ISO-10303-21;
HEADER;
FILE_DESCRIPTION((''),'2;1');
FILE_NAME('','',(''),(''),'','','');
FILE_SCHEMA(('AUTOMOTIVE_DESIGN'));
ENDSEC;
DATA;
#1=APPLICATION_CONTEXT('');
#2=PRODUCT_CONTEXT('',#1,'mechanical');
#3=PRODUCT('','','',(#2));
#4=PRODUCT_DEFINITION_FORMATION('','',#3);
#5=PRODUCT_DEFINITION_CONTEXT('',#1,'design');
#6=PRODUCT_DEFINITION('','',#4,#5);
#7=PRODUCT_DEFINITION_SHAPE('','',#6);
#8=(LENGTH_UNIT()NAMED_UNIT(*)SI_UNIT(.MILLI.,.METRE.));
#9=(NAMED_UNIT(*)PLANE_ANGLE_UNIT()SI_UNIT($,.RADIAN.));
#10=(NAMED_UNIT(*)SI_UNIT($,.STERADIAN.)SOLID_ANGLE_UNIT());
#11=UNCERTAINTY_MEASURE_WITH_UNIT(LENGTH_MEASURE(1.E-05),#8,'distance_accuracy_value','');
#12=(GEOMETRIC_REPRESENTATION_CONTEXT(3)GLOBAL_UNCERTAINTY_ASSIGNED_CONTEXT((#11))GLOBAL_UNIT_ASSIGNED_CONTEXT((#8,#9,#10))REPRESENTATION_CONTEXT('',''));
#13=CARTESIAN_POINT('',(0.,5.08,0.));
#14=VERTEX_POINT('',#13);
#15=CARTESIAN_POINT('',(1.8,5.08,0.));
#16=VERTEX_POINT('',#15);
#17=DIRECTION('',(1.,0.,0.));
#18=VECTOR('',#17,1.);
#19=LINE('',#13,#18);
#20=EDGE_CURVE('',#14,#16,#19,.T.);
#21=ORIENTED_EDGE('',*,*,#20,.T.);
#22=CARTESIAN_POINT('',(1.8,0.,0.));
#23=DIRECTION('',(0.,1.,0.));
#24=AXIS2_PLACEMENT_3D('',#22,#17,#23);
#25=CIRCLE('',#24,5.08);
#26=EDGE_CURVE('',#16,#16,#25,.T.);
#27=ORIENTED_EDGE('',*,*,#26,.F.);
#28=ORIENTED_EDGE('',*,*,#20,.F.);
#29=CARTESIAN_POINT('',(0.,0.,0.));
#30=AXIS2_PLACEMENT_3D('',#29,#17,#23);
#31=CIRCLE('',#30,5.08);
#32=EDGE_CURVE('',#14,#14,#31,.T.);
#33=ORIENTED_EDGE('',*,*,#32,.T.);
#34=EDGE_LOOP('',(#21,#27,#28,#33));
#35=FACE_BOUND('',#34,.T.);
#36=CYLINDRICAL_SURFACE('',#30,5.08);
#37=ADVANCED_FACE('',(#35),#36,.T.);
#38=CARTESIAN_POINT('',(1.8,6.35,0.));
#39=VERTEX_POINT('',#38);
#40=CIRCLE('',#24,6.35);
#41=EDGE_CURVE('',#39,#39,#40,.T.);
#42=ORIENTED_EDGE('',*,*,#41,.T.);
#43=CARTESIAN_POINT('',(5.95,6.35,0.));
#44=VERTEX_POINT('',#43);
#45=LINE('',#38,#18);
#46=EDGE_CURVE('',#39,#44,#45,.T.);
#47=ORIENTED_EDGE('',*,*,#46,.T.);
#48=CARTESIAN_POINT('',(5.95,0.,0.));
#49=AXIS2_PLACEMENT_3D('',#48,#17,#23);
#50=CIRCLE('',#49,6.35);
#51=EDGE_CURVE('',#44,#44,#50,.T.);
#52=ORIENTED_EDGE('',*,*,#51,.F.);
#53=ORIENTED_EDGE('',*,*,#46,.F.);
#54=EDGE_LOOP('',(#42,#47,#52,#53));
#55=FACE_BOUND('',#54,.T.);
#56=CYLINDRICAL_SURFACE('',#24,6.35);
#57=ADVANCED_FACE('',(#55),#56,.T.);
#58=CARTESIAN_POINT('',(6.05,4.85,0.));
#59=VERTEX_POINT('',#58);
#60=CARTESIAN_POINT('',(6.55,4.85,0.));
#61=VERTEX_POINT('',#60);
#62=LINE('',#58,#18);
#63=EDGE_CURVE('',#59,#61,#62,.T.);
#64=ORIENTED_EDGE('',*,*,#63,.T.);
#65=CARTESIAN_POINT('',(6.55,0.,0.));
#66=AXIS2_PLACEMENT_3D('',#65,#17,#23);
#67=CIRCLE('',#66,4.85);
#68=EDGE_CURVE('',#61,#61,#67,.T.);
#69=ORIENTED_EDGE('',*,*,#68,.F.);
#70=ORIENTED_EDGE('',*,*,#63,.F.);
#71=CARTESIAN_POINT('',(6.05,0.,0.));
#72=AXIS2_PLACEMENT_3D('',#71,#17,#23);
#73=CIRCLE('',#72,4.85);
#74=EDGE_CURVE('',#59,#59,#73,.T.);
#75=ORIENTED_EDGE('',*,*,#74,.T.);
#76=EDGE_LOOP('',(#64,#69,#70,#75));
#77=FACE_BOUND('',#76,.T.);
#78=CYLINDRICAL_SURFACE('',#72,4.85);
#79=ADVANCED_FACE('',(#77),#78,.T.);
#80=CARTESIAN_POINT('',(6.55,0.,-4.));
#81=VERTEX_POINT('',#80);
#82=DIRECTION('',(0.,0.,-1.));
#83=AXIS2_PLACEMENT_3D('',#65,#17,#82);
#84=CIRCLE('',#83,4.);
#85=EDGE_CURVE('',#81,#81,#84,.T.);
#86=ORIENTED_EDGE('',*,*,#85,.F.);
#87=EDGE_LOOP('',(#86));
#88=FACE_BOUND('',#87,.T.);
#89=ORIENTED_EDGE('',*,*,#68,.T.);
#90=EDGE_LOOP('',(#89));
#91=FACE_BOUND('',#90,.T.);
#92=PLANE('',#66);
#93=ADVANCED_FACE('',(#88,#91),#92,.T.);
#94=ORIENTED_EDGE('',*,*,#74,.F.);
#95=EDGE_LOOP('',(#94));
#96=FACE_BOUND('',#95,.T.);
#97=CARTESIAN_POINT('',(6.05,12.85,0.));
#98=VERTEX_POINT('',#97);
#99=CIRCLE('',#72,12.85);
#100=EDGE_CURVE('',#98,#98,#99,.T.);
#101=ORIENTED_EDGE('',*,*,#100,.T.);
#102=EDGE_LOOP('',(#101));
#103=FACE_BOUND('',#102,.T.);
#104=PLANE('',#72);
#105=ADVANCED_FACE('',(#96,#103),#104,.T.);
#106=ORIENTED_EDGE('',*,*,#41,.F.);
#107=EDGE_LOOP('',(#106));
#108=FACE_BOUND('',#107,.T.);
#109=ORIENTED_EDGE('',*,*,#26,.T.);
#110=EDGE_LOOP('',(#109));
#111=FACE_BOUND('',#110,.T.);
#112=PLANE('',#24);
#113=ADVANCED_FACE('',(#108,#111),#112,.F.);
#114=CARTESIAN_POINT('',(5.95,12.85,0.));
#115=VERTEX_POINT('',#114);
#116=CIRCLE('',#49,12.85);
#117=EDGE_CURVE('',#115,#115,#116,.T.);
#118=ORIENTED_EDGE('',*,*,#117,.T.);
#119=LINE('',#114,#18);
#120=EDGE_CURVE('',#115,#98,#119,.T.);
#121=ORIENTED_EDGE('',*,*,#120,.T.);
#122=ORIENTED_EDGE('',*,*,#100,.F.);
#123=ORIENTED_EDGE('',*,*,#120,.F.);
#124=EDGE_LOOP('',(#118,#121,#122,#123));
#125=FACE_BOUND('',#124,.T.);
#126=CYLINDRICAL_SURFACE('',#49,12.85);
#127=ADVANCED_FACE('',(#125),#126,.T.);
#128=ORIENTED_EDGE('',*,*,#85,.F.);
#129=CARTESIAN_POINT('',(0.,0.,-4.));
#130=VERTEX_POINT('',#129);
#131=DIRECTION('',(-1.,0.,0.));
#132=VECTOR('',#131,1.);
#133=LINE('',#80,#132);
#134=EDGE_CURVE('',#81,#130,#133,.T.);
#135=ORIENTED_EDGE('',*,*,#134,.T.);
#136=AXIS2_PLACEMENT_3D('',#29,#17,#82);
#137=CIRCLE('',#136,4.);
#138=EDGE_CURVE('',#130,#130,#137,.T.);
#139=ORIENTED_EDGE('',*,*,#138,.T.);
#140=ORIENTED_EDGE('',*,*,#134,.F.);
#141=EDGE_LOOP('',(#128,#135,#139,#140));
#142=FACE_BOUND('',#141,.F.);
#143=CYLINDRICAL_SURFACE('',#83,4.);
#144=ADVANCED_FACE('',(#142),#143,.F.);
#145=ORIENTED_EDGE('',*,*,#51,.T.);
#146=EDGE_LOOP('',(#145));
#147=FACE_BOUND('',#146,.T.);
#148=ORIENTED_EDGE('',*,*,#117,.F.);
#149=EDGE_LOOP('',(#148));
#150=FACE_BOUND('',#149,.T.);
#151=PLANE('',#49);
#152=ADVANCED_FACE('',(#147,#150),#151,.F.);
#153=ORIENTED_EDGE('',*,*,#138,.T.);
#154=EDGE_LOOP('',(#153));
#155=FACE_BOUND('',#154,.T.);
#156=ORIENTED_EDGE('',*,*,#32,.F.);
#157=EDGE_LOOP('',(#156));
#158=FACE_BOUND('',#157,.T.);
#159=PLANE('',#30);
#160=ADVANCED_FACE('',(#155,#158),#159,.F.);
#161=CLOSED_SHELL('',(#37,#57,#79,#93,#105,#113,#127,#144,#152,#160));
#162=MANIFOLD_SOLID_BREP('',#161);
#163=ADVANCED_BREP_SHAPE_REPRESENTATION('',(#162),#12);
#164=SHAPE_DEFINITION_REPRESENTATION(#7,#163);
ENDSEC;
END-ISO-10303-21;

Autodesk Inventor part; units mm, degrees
ref_plane "YZ Plane" through (0, 0, 0) normal (1, 0, 0) x (0, 1, 0)
ref_plane "XZ Plane" through (0, 0, 0) normal (0, 1, 0) x (-1, 0, 0)
ref_plane "XY Plane" through (0, 0, 0) normal (0, 0, 1) x (1, 0, 0)
sketch "Sketch1" plane through (0, 0, 0) normal (0, 0, 1) x (1, 0, 0)
  line L0 (0, 0) -> (0, 5.08)
  line L1 (0, 5.08) -> (1.8, 5.08)
  line L2 (1.8, 5.08) -> (1.8, 6.35)
  line L3 (1.8, 6.35) -> (5.95, 6.35)
  line L4 (5.95, 6.35) -> (5.95, 12.85)
  line L5 (5.95, 12.85) -> (6.05, 12.85)
  line L6 (6.05, 12.85) -> (6.05, 4.85)
  line L7 (6.05, 4.85) -> (6.55, 4.85)
  line L8 (6.55, 4.85) -> (6.55, 0)
  line L9 (0, 0) -> (11.8727, 0) construction
  line L10 (0, 0) -> (6.55, 0)
  dimension "d0" = 5.08
  dimension "d1" = 1.8
  dimension "d2" = 1.27
  dimension "d3" = 4.15
  dimension "d4" = 6.5
  dimension "d5" = 0.1
  dimension "d6" = 8
  dimension "d7" = 0.5
revolve "Revolution1" add sketch "Sketch1" angle 360 about axis through (0, 0, 0) along (1, 0, 0)
sketch "Sketch2" plane through (6.55, 0, 0) normal (1, 0, 0) x (0, 0, -1)
  circle A0 centre (0, 0) radius 4
  dimension "d9" = 8
extrude "Extrusion1" cut sketch "Sketch2" against normal blind 10
properties part number "Tarcza impulsowa HEDS-5140"
